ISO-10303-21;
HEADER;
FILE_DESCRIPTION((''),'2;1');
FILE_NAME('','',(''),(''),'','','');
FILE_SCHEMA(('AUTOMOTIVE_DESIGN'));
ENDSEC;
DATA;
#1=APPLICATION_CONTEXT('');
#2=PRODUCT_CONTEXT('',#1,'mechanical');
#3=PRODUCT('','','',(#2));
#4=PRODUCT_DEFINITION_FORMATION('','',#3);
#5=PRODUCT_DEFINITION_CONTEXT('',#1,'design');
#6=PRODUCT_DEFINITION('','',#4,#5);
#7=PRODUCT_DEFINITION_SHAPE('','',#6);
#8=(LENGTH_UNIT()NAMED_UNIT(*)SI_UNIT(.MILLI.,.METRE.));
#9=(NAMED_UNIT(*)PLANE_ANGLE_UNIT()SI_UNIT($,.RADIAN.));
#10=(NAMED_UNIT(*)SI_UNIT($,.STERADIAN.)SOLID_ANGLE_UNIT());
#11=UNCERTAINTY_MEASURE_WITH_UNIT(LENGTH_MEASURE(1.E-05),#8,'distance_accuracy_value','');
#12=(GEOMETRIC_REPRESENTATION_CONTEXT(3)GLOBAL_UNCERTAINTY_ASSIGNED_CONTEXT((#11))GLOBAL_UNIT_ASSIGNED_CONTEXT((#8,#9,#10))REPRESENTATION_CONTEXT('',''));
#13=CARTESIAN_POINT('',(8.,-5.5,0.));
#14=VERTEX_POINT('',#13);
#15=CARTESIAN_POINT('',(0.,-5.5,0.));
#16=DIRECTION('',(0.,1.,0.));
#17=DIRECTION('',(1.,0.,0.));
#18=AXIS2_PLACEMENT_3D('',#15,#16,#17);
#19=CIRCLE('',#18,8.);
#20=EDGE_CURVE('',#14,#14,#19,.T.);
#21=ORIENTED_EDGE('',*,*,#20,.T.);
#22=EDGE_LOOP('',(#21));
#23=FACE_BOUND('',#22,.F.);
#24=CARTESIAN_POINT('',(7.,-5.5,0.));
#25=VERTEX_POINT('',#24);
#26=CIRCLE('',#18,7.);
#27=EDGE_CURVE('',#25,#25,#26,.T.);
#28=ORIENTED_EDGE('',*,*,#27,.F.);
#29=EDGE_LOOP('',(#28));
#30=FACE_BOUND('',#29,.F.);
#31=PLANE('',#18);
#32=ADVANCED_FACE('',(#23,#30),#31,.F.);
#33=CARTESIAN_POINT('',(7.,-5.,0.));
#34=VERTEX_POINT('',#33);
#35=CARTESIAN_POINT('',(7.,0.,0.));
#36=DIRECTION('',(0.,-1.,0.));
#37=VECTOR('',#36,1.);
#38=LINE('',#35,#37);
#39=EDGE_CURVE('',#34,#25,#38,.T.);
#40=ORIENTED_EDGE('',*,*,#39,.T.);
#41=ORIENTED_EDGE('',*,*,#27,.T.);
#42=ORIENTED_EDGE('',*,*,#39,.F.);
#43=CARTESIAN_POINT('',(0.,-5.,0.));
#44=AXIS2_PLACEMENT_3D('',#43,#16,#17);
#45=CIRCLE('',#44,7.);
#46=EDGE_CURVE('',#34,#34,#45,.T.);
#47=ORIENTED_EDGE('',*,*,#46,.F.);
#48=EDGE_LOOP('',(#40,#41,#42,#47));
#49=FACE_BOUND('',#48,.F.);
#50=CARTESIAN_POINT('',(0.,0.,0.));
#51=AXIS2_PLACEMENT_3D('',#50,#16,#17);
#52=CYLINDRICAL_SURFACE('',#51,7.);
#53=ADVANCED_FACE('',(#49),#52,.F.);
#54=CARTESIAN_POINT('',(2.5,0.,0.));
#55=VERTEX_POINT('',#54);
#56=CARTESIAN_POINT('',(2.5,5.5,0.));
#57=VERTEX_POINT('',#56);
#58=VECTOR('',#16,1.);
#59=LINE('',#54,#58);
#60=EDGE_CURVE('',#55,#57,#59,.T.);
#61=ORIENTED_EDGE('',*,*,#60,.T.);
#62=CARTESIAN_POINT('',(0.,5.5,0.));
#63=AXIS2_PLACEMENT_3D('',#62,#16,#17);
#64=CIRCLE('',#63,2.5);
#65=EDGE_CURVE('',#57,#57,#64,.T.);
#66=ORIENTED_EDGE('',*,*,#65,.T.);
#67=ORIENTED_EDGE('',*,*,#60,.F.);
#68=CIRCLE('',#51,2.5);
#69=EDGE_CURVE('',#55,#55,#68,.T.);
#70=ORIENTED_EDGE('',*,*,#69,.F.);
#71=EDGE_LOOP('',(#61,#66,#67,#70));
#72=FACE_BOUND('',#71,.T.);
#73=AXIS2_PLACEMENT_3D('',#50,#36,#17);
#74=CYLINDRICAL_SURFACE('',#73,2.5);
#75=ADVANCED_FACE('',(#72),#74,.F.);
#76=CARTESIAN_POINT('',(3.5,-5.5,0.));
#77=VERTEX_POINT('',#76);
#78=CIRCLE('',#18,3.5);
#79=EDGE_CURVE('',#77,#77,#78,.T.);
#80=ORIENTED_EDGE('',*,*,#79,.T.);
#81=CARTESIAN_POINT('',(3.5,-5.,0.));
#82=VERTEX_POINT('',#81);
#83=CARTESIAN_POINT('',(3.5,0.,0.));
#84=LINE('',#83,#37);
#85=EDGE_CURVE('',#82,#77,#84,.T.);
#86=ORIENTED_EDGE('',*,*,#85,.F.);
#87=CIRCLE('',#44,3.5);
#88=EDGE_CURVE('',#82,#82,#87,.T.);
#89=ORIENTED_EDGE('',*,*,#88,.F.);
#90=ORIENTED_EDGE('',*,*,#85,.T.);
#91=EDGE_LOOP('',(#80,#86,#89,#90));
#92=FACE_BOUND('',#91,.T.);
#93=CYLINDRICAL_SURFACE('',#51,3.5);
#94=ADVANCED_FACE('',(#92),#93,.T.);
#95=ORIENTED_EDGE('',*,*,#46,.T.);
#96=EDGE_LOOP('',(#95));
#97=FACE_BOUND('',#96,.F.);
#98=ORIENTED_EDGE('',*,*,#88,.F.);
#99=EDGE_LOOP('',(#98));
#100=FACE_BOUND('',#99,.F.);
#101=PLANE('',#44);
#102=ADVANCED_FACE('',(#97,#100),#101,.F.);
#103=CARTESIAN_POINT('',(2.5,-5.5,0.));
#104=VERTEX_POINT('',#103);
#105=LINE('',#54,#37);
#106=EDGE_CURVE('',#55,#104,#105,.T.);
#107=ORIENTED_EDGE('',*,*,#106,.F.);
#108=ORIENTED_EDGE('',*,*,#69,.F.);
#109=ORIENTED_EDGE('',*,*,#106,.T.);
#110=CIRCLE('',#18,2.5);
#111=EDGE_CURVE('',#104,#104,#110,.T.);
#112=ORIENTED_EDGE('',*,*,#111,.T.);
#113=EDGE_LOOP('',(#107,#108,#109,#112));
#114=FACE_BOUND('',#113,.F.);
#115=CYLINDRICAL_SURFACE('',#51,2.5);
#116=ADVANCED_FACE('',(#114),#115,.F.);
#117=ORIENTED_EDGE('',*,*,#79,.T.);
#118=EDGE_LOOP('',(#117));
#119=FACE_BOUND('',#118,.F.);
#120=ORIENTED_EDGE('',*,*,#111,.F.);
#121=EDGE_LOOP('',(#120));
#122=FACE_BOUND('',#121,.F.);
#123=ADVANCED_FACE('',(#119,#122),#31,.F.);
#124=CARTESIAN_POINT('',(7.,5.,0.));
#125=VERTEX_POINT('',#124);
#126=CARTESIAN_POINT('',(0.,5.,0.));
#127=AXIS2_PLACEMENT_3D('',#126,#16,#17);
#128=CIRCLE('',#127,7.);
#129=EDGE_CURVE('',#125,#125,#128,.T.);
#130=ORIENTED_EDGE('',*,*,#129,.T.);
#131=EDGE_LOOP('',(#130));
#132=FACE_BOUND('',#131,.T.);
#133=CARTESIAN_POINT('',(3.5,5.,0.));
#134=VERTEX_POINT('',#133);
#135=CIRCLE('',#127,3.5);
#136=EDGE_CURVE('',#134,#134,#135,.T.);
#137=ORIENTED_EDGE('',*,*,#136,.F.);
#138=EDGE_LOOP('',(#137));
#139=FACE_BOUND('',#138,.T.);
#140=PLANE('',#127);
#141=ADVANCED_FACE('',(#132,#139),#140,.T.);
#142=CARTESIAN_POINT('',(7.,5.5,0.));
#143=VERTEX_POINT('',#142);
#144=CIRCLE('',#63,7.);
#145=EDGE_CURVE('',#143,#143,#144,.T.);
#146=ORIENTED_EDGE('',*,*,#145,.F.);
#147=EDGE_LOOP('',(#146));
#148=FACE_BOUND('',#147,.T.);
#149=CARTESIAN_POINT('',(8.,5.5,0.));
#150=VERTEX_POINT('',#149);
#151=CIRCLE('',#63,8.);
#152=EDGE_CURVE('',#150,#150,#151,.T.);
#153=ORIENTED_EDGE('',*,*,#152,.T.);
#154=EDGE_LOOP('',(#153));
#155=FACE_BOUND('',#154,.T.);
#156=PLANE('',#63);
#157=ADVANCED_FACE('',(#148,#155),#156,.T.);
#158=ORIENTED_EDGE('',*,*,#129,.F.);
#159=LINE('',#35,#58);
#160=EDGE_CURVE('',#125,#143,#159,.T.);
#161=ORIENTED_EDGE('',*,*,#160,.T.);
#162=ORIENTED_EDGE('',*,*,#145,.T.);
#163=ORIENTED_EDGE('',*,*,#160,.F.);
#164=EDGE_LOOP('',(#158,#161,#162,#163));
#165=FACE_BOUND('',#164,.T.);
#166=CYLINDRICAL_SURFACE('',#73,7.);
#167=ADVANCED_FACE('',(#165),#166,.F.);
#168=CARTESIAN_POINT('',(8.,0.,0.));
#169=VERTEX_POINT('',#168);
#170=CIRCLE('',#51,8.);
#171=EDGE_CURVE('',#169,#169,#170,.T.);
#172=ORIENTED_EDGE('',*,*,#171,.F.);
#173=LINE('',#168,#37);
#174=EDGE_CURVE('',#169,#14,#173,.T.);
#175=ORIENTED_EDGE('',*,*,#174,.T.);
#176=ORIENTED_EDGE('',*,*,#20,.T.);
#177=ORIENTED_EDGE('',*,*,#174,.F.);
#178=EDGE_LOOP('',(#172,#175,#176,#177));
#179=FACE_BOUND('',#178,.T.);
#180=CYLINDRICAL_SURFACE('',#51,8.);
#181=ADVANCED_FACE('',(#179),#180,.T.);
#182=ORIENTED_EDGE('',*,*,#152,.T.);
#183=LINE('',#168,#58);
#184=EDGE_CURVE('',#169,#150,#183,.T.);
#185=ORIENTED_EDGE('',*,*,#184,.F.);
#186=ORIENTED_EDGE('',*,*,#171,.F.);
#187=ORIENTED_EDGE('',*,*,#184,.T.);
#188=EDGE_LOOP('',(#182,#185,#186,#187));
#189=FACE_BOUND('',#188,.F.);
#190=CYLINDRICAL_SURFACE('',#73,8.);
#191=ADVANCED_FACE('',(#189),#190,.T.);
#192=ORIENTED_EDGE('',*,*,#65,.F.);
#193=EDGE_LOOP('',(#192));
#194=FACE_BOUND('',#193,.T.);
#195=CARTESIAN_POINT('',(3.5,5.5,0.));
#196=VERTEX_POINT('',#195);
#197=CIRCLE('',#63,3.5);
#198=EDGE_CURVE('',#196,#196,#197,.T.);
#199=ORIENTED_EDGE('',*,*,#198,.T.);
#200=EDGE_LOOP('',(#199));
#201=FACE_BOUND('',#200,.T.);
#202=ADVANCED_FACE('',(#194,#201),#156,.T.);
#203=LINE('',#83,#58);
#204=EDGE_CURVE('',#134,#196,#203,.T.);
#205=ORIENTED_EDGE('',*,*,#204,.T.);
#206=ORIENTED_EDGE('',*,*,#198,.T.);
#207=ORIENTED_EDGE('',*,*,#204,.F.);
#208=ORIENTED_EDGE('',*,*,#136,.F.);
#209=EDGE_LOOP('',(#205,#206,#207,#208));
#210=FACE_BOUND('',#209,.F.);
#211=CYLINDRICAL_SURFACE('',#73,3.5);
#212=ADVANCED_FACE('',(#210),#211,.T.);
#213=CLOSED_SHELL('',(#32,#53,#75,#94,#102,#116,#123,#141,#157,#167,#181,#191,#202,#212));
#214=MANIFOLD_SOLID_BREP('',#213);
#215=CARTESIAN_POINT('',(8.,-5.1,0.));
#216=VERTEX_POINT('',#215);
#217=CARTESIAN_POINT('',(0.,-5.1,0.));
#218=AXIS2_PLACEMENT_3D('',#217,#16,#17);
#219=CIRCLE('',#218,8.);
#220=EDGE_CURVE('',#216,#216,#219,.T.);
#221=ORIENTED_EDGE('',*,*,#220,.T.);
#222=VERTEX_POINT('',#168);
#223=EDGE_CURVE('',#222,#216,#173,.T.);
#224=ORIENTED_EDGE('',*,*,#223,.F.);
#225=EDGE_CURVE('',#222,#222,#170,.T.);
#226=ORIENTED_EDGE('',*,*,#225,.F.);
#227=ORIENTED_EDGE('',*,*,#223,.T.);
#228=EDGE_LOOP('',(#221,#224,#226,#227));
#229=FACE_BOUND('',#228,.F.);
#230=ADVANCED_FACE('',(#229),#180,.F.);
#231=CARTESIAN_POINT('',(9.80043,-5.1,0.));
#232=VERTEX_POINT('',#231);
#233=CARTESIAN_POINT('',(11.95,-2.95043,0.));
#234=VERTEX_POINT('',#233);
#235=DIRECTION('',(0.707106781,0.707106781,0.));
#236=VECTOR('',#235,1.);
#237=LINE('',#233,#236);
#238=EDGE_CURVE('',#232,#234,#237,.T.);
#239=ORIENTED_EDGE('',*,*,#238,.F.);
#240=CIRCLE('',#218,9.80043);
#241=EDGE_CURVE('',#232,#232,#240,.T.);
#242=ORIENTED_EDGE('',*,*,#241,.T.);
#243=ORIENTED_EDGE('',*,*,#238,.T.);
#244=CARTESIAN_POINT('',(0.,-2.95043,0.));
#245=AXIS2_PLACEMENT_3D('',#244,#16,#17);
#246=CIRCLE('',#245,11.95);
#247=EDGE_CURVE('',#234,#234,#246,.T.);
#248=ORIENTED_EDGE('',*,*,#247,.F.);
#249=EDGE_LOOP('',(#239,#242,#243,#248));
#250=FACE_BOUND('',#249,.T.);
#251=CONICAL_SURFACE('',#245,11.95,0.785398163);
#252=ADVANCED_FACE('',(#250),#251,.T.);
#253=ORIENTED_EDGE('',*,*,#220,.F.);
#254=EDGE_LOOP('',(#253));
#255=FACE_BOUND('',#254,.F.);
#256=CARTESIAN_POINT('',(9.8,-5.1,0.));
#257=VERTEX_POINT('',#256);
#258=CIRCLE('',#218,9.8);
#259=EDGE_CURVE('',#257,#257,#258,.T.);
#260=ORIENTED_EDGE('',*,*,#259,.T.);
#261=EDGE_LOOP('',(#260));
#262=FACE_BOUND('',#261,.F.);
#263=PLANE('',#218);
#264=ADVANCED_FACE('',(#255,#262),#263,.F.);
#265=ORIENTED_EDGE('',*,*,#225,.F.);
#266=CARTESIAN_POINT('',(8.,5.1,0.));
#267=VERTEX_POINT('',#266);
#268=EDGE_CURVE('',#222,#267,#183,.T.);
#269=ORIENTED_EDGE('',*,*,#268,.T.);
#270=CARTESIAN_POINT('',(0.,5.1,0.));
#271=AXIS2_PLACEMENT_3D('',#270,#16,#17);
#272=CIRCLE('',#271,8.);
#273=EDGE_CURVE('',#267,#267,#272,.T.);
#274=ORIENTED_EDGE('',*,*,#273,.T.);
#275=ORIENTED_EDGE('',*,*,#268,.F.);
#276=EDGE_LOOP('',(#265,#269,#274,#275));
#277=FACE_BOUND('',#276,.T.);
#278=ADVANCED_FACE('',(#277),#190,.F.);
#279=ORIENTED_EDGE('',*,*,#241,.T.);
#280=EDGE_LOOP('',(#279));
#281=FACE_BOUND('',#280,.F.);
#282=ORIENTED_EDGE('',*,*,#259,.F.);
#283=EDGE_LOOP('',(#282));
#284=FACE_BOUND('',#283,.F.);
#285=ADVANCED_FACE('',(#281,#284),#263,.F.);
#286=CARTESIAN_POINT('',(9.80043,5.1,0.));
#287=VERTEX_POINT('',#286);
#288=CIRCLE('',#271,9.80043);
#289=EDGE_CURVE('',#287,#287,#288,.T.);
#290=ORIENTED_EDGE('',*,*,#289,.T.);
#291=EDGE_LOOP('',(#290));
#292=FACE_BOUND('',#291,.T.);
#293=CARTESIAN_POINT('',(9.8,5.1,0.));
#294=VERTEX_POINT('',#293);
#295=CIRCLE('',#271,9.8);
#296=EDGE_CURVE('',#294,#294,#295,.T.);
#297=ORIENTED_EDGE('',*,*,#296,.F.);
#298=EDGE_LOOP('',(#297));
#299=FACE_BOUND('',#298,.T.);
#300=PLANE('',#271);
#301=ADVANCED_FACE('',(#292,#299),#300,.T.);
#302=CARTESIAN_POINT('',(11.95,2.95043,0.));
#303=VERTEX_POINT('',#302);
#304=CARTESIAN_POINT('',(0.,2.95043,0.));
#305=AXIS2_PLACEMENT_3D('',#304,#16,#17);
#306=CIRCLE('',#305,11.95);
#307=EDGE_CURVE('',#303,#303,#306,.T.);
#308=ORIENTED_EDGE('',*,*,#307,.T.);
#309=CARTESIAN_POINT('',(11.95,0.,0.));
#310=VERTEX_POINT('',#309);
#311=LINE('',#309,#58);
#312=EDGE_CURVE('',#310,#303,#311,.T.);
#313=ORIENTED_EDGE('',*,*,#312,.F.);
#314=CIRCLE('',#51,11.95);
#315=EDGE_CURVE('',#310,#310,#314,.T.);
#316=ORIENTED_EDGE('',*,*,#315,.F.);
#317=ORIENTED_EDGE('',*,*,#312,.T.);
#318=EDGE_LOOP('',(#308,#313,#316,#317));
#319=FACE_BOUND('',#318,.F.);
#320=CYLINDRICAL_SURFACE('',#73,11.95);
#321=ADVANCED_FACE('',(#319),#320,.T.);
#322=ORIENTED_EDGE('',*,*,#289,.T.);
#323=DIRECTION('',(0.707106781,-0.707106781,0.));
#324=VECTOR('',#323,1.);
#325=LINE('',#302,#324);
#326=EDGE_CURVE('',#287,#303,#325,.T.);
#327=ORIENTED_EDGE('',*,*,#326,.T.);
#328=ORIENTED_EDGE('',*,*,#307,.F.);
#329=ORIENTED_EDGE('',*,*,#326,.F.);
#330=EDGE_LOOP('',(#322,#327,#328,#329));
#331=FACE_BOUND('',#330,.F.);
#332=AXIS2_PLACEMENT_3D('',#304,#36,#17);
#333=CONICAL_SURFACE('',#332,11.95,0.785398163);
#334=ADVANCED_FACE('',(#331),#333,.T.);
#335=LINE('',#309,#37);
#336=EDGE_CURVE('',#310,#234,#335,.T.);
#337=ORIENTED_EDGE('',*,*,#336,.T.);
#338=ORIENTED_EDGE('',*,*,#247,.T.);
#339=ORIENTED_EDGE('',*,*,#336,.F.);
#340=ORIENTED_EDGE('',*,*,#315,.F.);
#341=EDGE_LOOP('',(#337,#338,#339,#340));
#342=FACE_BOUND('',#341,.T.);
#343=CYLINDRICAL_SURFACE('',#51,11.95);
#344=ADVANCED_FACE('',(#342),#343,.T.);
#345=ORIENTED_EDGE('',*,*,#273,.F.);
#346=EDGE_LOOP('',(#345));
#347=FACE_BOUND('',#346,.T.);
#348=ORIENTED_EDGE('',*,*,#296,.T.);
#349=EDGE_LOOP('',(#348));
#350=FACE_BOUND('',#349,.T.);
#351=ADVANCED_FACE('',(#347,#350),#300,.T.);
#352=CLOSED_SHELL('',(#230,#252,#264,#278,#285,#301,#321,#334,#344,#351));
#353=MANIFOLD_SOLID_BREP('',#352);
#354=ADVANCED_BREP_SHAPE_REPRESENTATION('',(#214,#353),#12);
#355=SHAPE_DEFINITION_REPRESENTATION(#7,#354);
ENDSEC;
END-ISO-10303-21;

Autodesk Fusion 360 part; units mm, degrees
sketch "Sketch1" plane through (0, 0, 0) normal (0, 1, 0) x (1, 0, 0)
  circle A0 centre (0, 0) radius 11.95
  circle A1 centre (0, 0) radius 9.8
  circle A2 centre (0, 0) radius 8
  circle A3 centre (0, 0) radius 2.5
  circle A4 centre (0, 0) radius 7
  circle A5 centre (0, 0) radius 3.5
  dimension "d1" = 23.9
  dimension "d2" = 19.6
  dimension "d3" = 16
  dimension "d4" = 5
  dimension "d13" = 14
  dimension "d14" = 7
extrude "Extrude3" add sketch "Sketch1" along normal mid plane 10.2 contours A0 | A1 makes body 1
chamfer "Chamfer1" distance 2.15 distance2 2.15 2 edges at (-11.1413, -5.1, -4.3213) (-11.1413, 5.1, 4.3213) measured on face at (10.5888, -5.1, 0.5937) measured on face at (10.5888, 5.1, 0.5937) on bodies 1
extrude "Extrude4" add sketch "Sketch1" along normal mid plane 11 separate body contours A2 | A5 makes body 2 at (7.9901, 3.6667, 0.3988) makes body 3 at (3.4956, 3.6667, 0.1745)
extrude "Extrude5" add sketch "Sketch1" along normal mid plane 10 contours A4 bodies 2 3
